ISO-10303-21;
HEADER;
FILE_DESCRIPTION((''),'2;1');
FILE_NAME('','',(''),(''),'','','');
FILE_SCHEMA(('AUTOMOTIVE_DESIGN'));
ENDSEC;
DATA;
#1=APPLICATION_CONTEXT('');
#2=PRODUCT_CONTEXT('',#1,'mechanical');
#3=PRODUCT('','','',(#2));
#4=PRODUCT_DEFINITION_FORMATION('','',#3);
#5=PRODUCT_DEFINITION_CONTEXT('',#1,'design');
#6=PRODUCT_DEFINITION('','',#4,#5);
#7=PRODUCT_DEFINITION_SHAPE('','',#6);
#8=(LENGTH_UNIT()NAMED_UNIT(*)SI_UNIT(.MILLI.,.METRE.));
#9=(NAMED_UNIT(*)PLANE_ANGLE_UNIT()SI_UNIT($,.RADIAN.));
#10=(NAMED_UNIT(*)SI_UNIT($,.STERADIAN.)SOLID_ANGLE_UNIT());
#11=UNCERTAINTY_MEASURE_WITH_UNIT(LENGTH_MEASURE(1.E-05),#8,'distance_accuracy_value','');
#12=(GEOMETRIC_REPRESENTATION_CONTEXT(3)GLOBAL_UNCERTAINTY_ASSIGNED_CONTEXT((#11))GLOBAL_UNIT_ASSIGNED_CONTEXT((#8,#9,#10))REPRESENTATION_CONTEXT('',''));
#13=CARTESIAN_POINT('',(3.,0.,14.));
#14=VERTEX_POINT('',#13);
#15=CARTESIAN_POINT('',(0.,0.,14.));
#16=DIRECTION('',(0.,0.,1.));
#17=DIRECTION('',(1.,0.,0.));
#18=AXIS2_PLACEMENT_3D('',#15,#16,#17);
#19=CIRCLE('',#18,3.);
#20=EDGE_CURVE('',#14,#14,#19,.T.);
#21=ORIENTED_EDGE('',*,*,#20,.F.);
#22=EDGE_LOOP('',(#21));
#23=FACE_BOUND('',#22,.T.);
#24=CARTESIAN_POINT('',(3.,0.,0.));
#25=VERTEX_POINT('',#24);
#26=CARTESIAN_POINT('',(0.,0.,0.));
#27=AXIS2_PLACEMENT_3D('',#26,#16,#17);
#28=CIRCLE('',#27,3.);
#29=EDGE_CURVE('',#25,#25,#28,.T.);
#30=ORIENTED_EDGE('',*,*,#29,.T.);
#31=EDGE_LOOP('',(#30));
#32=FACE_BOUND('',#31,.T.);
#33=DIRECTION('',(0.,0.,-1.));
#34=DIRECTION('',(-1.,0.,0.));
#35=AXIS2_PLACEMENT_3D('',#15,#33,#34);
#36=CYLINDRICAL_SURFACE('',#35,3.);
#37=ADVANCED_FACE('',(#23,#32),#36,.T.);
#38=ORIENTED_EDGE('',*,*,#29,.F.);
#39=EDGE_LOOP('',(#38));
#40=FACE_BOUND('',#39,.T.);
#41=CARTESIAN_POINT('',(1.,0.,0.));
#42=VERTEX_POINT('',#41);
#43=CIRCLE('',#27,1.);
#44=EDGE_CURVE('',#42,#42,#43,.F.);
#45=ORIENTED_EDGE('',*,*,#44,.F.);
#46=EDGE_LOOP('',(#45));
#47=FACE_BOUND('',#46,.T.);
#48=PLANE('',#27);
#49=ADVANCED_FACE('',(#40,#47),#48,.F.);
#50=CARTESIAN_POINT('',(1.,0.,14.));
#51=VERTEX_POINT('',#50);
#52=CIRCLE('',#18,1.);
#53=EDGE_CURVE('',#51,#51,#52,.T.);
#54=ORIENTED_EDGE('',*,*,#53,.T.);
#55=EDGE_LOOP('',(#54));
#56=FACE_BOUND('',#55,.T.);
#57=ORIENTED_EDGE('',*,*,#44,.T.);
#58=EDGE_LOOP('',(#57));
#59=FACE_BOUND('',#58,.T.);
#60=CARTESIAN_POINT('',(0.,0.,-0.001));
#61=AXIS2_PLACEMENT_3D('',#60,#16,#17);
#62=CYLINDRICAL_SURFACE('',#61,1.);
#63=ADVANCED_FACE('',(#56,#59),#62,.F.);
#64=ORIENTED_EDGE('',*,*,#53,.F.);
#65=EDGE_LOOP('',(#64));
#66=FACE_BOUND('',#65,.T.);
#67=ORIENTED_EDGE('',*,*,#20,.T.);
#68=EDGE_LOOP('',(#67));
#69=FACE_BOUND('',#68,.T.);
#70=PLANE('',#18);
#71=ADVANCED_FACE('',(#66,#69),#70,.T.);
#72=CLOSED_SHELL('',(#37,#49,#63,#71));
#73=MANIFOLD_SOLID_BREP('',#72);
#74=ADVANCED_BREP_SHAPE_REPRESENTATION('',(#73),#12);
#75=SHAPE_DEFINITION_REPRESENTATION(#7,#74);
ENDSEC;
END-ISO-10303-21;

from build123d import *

# Parameters (mm, degrees)
SKETCH_1_R          = 3
EXTRUDE_1_DEPTH     = 14
CUT_EXTRUDE_1_REACH = 16.629
SKETCH_2_R          = 1


with BuildPart() as part:
    # 草图1 → 凸台-拉伸1 (new body)
    with BuildSketch(Plane.XY):
        Circle(SKETCH_1_R)
    extrude(amount=EXTRUDE_1_DEPTH)

    # 草图2 → 切除-拉伸1 (cut, up to next)
    with BuildSketch(Plane.XY.offset(14), mode=Mode.PRIVATE) as cut_extrude_1_sk1:
        Circle(SKETCH_2_R)
    cut_extrude_1_tool1 = extrude(cut_extrude_1_sk1.sketch, amount=-CUT_EXTRUDE_1_REACH, mode=Mode.PRIVATE) & part.part
    add(cut_extrude_1_tool1.solids().sort_by_distance((0, 0, 14))[0], mode=Mode.SUBTRACT)


solid = part.part
